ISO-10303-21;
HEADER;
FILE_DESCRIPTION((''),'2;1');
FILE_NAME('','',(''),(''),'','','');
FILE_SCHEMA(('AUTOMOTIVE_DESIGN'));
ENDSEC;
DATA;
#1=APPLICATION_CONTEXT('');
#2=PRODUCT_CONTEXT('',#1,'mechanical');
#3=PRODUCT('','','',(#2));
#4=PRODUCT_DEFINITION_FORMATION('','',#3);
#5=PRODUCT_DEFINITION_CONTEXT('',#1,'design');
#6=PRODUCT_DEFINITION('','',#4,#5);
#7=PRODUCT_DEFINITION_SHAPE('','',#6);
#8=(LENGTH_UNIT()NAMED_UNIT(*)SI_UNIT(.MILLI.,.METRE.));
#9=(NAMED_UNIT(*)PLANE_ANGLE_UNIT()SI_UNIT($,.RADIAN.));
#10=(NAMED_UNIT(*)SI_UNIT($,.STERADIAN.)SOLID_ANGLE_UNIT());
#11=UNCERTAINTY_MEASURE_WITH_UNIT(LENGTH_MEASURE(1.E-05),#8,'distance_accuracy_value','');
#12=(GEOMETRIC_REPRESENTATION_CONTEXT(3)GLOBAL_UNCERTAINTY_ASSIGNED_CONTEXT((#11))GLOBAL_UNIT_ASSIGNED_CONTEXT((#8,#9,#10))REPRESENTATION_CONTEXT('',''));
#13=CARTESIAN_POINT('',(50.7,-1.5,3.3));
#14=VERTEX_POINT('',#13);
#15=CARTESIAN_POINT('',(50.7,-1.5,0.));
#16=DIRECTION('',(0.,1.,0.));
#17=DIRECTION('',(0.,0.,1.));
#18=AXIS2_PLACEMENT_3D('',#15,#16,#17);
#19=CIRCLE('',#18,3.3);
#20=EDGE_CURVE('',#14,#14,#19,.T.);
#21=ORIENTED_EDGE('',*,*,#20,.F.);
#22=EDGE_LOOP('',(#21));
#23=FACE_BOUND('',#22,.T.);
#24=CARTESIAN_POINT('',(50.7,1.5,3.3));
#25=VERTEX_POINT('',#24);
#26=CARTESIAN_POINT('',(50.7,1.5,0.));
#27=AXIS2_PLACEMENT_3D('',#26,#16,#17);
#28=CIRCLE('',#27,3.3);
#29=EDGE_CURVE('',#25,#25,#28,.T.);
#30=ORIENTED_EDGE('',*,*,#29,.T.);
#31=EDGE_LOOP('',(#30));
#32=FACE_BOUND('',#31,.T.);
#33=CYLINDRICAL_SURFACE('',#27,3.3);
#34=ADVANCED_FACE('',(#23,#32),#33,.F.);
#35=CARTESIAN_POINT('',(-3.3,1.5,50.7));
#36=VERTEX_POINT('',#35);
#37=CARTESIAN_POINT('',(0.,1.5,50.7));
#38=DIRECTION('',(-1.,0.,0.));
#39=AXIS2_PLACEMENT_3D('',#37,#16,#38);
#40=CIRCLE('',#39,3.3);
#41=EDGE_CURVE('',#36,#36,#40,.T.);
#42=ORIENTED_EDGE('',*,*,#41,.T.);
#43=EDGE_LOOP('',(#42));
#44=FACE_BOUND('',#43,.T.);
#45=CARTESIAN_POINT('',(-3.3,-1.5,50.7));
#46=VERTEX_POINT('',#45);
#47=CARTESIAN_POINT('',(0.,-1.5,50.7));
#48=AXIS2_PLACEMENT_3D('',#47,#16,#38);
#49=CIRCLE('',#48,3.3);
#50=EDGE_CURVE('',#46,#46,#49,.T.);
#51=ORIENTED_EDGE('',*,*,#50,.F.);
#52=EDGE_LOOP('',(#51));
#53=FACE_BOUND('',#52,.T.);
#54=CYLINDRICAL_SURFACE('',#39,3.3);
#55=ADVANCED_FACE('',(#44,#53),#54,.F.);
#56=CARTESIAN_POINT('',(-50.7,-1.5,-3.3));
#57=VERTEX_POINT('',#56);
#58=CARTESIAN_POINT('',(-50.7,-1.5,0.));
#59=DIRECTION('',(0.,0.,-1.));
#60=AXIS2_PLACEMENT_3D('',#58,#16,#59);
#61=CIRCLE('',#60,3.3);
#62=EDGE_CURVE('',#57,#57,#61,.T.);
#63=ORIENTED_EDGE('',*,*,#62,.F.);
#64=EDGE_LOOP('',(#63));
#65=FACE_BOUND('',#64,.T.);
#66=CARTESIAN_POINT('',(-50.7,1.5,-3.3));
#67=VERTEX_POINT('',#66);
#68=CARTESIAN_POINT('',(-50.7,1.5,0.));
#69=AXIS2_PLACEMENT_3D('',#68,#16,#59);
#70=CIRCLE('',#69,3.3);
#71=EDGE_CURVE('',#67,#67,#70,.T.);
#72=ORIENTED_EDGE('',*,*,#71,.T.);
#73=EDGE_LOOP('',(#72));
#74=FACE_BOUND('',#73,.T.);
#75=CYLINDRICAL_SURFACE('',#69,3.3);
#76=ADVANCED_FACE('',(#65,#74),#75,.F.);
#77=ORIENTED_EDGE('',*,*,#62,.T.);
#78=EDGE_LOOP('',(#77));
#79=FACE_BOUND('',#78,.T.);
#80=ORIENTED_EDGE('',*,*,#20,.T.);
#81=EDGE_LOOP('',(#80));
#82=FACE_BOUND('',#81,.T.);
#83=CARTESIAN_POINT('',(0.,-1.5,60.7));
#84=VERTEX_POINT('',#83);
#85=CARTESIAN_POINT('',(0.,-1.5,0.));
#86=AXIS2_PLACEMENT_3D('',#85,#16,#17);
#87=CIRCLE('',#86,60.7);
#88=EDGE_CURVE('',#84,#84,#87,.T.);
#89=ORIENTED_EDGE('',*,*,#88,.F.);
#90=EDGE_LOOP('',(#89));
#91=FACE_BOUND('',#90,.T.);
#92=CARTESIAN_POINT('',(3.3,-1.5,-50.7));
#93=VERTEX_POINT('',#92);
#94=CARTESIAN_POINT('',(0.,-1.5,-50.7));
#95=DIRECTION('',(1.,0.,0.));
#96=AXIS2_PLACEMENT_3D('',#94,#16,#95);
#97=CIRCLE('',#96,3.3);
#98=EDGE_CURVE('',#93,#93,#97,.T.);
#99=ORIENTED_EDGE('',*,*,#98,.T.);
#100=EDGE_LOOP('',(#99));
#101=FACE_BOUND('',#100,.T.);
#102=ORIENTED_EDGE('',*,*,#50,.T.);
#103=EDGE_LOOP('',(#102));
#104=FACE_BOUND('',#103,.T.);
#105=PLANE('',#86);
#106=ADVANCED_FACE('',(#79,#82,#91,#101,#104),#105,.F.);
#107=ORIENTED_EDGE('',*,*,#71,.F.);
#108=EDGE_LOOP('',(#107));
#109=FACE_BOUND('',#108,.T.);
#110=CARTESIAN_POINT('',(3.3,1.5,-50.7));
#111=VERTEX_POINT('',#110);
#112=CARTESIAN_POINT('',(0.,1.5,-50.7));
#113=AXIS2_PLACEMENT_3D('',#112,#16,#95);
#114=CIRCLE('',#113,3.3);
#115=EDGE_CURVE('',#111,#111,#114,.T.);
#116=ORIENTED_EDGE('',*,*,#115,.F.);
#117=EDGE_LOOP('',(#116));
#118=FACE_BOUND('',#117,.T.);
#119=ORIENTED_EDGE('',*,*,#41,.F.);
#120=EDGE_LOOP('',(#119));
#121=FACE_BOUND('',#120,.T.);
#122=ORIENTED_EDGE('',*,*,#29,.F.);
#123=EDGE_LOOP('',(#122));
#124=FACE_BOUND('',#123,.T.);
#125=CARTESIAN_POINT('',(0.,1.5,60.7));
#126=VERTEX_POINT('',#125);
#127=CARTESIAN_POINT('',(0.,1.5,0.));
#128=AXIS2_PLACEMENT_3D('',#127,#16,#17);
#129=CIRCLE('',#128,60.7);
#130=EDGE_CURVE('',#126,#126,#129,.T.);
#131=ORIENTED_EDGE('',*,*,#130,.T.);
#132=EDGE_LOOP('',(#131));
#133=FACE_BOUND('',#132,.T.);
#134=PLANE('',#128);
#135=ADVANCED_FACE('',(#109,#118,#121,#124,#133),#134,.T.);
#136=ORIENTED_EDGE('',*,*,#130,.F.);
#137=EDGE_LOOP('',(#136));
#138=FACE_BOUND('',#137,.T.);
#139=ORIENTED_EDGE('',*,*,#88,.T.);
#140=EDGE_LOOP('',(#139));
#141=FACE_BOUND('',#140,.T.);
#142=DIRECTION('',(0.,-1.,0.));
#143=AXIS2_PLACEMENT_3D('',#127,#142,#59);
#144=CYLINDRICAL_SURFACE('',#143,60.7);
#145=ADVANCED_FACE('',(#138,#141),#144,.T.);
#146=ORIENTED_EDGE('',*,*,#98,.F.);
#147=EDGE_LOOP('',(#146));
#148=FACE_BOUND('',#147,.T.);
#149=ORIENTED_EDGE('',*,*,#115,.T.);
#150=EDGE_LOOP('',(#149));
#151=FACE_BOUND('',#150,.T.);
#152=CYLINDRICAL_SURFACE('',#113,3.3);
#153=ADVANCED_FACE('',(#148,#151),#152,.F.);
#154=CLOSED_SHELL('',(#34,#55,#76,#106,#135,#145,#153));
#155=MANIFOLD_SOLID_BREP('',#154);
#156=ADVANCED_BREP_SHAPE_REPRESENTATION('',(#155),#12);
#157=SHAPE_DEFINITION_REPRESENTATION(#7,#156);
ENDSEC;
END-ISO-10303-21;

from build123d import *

# Parameters (mm, degrees)
SKETCH1_R            = 60.7
BOSS_EXTRUDE1_DEPTH  = 1.5
M6_CLEARANCE_HOLE1_D = 6.6
CIRPATTERN2_COUNT    = 4


with BuildPart() as part:
    # Sketch1 → Boss-Extrude1 (new, symmetric)
    with BuildSketch(Plane(origin=(0, 0, 0), x_dir=(1, 0, 0), z_dir=(0, 1, 0))):
        with Locations(Location((0, 0, 0), (0, 0, 270))):
            Circle(SKETCH1_R)
    extrude(amount=BOSS_EXTRUDE1_DEPTH, both=True)

    # M6 Clearance Hole1 (through all)
    with Locations(Plane(origin=(0, 1.5, 0), x_dir=(1, 0, 0), z_dir=(0, 1, 0))):
        with Locations((50.7, 0)):
            m6_clearance_hole1 = Hole(M6_CLEARANCE_HOLE1_D / 2)

    # CirPattern2: M6 Clearance Hole1 ×4 about axis
    cirpattern2_axis = Axis((0, 0, 0), (0, 1, 0))
    for i in range(1, CIRPATTERN2_COUNT):
        add(m6_clearance_hole1.rotate(cirpattern2_axis, i * 360 / CIRPATTERN2_COUNT), mode=Mode.SUBTRACT)


solid = part.part
